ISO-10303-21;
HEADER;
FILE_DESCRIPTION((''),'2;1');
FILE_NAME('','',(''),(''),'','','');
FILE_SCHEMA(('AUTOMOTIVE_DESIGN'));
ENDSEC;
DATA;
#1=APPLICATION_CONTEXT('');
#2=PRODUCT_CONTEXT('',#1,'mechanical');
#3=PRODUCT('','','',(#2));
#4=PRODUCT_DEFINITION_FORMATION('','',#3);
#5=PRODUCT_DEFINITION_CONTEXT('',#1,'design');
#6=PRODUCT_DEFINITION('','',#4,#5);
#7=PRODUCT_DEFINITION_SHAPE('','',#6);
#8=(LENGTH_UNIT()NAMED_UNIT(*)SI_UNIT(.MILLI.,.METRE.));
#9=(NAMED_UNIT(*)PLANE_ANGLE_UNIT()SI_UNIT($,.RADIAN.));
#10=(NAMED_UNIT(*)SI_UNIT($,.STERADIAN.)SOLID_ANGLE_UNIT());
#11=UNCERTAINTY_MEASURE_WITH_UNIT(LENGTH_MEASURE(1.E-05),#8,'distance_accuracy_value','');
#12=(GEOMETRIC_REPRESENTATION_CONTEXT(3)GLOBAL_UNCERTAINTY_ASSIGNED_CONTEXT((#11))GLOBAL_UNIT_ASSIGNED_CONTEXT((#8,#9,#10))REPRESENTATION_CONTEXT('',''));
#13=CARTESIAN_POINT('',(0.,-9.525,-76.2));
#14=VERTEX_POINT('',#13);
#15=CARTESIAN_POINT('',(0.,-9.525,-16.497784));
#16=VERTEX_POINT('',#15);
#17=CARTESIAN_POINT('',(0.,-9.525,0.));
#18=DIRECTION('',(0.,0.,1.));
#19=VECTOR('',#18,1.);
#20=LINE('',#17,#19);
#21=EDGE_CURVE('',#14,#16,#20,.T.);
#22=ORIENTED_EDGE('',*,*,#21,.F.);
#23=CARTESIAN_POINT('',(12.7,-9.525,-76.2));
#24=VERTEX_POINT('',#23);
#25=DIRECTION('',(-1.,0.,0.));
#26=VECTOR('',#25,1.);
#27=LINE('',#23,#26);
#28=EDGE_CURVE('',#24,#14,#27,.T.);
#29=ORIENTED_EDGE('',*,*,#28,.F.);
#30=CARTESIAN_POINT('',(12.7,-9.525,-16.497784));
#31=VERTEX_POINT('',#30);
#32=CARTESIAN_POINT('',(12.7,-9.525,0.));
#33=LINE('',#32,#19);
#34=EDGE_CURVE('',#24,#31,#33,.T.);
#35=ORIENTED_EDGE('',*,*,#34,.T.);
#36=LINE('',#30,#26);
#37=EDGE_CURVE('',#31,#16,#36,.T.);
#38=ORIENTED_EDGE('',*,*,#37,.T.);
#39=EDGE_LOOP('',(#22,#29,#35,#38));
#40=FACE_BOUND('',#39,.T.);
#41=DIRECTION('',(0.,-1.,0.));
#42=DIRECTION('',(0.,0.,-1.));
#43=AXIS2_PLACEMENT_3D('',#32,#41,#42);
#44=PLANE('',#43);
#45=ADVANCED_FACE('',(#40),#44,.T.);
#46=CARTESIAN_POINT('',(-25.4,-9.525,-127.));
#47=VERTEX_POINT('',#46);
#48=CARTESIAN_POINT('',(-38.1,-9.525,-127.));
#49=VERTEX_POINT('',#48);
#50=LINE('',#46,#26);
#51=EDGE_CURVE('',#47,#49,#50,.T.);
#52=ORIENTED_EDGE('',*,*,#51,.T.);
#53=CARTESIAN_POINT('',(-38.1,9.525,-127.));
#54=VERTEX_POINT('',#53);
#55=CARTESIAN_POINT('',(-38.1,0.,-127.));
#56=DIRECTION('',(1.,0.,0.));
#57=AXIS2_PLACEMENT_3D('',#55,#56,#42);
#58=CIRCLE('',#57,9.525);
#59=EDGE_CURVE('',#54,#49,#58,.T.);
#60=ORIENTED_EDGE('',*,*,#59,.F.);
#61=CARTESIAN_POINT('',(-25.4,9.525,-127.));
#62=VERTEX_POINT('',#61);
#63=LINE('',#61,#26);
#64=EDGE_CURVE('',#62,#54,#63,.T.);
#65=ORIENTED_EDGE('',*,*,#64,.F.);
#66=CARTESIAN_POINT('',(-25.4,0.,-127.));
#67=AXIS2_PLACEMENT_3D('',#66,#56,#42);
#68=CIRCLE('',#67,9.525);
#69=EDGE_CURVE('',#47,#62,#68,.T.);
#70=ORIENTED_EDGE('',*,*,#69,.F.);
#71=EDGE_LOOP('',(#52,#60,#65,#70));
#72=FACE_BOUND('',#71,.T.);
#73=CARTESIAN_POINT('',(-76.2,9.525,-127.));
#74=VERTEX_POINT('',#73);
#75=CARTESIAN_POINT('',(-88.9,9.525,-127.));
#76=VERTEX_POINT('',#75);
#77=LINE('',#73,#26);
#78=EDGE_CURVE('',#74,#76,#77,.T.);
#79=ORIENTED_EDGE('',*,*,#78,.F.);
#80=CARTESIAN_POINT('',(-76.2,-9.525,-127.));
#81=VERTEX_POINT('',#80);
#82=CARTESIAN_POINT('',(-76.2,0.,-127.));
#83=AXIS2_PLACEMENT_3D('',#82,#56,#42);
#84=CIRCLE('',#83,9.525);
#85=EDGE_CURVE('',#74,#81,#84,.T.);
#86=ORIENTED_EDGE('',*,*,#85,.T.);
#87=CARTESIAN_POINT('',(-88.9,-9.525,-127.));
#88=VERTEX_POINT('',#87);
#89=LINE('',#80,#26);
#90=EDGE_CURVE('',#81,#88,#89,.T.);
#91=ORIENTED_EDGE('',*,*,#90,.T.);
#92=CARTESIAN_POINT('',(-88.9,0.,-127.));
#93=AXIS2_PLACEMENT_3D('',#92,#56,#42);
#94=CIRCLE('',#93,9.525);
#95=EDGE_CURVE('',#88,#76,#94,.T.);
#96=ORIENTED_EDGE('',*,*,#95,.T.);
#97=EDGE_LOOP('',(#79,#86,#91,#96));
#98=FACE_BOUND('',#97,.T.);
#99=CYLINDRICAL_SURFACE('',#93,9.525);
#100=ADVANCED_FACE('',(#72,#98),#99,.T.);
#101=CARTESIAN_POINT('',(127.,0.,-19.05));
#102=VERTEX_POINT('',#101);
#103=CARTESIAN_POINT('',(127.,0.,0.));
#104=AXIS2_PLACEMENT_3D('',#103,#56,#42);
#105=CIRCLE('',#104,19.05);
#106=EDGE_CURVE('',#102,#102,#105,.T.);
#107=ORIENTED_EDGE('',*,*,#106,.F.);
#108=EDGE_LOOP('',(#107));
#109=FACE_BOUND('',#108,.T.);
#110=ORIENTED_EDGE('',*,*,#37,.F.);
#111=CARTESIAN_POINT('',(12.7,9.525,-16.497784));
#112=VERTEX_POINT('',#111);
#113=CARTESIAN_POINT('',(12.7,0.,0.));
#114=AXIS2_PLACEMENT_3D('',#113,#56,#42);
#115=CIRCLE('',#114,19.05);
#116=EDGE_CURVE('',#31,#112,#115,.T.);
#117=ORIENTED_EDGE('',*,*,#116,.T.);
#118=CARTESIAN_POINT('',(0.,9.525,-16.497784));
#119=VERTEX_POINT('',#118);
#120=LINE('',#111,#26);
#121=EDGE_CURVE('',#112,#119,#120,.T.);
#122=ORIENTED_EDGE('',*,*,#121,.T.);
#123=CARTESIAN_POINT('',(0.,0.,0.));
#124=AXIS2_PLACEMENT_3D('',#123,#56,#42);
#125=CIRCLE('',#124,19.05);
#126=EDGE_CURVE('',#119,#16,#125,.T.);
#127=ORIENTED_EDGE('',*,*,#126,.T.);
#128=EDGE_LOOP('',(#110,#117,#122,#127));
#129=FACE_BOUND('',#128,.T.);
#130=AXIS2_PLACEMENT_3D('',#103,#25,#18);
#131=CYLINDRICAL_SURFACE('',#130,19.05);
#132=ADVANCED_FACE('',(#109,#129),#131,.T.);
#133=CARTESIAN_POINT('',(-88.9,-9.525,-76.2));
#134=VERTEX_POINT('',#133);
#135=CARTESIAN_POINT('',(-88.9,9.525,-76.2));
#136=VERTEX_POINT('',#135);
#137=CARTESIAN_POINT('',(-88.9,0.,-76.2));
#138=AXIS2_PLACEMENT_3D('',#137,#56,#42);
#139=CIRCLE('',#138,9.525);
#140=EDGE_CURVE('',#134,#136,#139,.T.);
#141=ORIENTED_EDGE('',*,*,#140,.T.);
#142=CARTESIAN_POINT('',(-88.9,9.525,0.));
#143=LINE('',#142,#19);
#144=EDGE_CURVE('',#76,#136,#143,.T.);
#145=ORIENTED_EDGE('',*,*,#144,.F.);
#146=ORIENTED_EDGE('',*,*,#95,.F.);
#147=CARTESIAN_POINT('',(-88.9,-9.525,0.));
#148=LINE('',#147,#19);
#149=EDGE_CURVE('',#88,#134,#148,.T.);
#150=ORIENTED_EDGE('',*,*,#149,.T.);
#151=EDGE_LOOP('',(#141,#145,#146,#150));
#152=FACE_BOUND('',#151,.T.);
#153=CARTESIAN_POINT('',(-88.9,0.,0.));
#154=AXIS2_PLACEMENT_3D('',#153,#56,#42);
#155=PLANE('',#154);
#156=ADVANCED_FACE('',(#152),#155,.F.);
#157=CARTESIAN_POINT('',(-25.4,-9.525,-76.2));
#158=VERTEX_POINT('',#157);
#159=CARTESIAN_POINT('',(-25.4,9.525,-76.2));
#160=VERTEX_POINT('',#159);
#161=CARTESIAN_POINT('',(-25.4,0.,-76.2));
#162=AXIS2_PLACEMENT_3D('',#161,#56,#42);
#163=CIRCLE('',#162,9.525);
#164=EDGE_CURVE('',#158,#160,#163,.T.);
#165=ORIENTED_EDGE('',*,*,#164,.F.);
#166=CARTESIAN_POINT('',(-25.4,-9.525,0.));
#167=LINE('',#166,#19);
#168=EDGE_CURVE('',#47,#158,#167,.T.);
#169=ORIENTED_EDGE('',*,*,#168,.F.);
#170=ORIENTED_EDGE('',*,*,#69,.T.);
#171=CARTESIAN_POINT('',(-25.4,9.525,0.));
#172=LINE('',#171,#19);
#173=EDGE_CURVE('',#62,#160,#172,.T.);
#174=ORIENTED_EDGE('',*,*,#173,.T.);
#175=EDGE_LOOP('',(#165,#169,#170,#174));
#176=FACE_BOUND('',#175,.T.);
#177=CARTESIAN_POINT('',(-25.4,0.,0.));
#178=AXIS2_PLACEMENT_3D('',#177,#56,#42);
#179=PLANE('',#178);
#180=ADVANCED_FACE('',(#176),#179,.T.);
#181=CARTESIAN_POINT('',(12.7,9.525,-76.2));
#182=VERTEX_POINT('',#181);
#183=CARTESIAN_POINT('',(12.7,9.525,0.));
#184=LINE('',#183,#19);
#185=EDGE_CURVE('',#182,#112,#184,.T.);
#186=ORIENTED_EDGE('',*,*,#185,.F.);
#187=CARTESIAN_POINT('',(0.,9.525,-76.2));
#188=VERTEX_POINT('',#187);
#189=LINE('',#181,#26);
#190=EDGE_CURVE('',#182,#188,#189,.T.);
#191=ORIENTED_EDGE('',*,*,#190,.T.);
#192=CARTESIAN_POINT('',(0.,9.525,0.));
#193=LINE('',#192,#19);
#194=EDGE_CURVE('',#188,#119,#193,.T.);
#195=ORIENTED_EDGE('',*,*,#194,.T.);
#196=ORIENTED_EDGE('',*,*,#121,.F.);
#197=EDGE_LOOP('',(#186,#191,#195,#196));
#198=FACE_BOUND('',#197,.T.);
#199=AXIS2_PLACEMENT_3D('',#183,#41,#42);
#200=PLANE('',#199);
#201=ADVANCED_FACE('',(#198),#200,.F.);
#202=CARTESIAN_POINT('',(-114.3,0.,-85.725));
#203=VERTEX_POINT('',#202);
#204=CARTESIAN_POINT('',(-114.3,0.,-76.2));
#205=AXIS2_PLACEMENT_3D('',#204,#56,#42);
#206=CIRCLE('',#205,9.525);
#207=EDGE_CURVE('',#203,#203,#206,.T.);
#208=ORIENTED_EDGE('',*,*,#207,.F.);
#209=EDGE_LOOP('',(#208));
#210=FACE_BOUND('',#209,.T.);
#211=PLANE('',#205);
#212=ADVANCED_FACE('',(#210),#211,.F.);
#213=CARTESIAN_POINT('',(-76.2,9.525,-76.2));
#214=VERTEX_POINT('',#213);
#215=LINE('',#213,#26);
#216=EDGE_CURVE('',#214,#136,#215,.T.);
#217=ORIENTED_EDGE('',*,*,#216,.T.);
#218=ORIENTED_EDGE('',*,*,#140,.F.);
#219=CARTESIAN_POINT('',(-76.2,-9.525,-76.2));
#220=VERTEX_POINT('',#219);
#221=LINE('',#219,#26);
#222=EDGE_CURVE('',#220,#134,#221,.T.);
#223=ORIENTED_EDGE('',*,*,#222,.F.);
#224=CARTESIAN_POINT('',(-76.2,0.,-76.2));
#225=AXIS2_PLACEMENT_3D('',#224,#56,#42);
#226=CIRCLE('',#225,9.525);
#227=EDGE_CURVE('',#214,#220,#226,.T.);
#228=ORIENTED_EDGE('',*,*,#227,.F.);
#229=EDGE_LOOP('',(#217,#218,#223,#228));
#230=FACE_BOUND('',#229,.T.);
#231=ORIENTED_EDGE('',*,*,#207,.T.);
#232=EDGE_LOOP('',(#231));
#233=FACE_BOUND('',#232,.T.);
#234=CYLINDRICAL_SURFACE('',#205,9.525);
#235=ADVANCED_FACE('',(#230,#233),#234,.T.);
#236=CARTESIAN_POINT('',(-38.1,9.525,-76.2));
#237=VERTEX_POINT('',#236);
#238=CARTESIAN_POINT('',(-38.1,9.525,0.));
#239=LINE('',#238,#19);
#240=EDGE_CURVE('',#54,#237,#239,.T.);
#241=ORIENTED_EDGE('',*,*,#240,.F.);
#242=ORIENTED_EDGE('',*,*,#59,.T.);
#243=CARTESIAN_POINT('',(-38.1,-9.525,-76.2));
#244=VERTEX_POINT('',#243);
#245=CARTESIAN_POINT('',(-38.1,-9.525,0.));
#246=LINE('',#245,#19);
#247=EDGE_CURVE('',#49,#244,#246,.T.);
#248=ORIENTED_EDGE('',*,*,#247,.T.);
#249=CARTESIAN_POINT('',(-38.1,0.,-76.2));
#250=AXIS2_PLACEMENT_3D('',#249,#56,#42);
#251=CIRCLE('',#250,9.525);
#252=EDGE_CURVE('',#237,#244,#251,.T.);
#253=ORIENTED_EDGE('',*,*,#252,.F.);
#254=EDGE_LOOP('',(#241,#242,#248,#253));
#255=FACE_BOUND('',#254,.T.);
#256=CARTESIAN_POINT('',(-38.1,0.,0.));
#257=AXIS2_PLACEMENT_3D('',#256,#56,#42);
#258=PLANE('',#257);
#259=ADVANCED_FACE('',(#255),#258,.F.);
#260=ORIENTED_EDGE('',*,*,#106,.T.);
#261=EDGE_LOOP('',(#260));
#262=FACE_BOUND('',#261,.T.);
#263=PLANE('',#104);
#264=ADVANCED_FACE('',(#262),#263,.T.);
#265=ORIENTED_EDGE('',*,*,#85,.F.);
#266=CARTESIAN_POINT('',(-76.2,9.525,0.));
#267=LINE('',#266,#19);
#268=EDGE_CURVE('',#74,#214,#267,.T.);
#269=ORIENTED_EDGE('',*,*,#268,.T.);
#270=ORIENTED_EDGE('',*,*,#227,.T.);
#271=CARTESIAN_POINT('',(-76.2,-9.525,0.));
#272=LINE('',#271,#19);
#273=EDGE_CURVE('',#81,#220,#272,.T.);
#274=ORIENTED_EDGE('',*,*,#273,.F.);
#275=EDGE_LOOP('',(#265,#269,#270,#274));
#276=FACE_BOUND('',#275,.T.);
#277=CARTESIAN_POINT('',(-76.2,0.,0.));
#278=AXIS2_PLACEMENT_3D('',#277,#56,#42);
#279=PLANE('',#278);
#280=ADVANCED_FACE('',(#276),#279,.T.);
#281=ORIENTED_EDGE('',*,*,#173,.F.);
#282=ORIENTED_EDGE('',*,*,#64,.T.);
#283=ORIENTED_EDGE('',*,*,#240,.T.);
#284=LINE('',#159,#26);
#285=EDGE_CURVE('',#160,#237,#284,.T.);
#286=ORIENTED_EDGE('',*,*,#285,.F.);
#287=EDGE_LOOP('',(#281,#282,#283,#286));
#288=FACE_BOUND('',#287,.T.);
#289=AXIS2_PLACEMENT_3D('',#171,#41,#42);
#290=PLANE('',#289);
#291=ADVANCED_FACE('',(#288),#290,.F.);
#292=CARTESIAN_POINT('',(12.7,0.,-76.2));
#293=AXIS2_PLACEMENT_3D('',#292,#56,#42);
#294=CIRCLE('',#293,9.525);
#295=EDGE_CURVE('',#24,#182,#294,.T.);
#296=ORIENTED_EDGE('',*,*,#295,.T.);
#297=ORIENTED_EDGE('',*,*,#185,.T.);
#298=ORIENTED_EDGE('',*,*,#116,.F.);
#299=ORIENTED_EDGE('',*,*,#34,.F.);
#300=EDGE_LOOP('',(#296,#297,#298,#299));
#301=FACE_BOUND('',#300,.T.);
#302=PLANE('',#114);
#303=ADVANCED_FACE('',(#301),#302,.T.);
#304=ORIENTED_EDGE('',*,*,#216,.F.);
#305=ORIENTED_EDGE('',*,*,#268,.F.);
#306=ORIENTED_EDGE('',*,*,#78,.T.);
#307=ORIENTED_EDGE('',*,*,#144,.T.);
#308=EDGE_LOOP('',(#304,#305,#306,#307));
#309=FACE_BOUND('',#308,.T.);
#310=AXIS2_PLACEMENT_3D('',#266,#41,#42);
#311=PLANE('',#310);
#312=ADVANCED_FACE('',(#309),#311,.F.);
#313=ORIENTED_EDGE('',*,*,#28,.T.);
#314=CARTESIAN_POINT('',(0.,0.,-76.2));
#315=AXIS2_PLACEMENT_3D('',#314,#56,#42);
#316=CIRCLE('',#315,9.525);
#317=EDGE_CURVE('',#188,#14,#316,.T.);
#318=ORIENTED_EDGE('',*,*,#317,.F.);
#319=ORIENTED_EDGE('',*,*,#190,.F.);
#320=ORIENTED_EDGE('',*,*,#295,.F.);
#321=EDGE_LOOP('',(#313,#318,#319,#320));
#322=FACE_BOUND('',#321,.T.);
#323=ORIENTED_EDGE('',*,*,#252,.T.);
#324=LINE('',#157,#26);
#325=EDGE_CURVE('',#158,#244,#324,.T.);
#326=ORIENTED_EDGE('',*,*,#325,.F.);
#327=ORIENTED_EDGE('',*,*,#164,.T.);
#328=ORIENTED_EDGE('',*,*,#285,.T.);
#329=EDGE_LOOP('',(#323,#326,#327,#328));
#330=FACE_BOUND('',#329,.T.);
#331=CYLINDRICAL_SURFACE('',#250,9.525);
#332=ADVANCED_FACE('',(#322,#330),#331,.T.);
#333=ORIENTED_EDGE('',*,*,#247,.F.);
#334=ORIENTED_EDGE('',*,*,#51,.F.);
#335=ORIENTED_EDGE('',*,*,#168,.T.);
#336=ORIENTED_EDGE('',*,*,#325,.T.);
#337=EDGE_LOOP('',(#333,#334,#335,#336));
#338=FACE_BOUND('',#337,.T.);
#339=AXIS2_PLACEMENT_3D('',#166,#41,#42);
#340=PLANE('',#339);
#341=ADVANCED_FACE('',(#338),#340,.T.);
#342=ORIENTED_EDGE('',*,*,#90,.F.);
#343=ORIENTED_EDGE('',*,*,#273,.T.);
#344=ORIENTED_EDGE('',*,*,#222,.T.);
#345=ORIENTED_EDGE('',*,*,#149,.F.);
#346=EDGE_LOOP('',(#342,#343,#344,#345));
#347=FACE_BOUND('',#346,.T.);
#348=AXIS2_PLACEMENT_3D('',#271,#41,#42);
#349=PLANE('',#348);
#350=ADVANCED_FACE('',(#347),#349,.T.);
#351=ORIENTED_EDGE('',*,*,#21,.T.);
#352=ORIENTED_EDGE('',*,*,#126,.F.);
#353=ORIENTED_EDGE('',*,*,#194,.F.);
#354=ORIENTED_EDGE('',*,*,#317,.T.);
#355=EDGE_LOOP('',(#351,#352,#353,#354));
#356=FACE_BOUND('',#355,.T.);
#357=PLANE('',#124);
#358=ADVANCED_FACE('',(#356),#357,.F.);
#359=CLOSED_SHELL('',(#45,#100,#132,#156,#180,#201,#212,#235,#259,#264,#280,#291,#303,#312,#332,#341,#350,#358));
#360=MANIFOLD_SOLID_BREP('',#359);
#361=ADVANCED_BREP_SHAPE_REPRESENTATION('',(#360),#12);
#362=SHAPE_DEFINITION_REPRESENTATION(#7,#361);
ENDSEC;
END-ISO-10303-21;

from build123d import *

# Parameters (mm, degrees)
BOSS_EXTRUDE1_DEPTH      = 127
BOSS_EXTRUDE2_DEPTH      = 12.7
BOSS_EXTRUDE3_DEPTH      = 12.7
BOSS_EXTRUDE3_DEPTH_BACK = 38.1
BOSS_EXTRUDE4_START      = -38.1
BOSS_EXTRUDE4_DEPTH      = 12.7
BOSS_EXTRUDE5_START      = -88.9
BOSS_EXTRUDE5_DEPTH      = 63.5
BOSS_EXTRUDE6_START      = -88.9
BOSS_EXTRUDE6_DEPTH      = 12.7
BOSS_EXTRUDE7_START      = -114.3
SKETCH1_8_R              = 9.525
BOSS_EXTRUDE7_DEPTH      = 38.1


with BuildPart() as part:
    # Sketch1 → Boss-Extrude1 (new body)
    with BuildSketch(Plane(origin=(0, 0, 0), x_dir=(0, 0, -1), z_dir=(1, 0, 0))):
        with BuildLine():
            ThreePointArc((19.05, 0), (18.400886991, 4.930502809), (16.497783942, 9.525))
            ThreePointArc((16.497783942, 9.525), (-19.05, 0), (16.497783942, -9.525))
            ThreePointArc((16.497783942, -9.525), (18.400886991, -4.930502809), (19.05, 0))
        make_face()
    extrude(amount=BOSS_EXTRUDE1_DEPTH)

    # Sketch1<3> → Boss-Extrude2 (add)
    with BuildSketch(Plane(origin=(0, 0, 0), x_dir=(0, 0, -1), z_dir=(1, 0, 0))):
        with BuildLine():
            ThreePointArc((76.2, -9.525), (66.675, 0), (76.2, 9.525))
            Line((76.2, 9.525), (16.497783942, 9.525))
            ThreePointArc((16.497783942, 9.525), (18.400886991, 4.930502809), (19.05, 0))
            ThreePointArc((19.05, 0), (18.400886991, -4.930502809), (16.497783942, -9.525))
            Line((16.497783942, -9.525), (76.2, -9.525))
        make_face()
    extrude(amount=BOSS_EXTRUDE2_DEPTH)

    # Sketch1<4> → Boss-Extrude3 (add, two sides: drawn at the far end of the back side and taken through both)
    with BuildSketch(Plane(origin=(0, 0, 0), x_dir=(0, 0, -1), z_dir=(1, 0, 0)).offset(-BOSS_EXTRUDE3_DEPTH_BACK)):
        with BuildLine():
            ThreePointArc((85.725, 0), (82.935192091, 6.735192091), (76.2, 9.525))
            ThreePointArc((76.2, 9.525), (66.675, 0), (76.2, -9.525))
            ThreePointArc((76.2, -9.525), (82.935192091, -6.735192091), (85.725, 0))
        make_face()
    extrude(amount=BOSS_EXTRUDE3_DEPTH + BOSS_EXTRUDE3_DEPTH_BACK)

    # Sketch1<5> → Boss-Extrude4 (add)
    with BuildSketch(Plane(origin=(0, 0, 0), x_dir=(0, 0, -1), z_dir=(1, 0, 0)).offset(BOSS_EXTRUDE4_START)):
        with BuildLine():
            ThreePointArc((127, -9.525), (117.475, 0), (127, 9.525))
            Line((127, 9.525), (76.2, 9.525))
            ThreePointArc((76.2, 9.525), (82.935192091, 6.735192091), (85.725, 0))
            ThreePointArc((85.725, 0), (82.935192091, -6.735192091), (76.2, -9.525))
            Line((76.2, -9.525), (127, -9.525))
        make_face()
    extrude(amount=BOSS_EXTRUDE4_DEPTH)

    # Sketch1<6> → Boss-Extrude5 (add)
    with BuildSketch(Plane(origin=(0, 0, 0), x_dir=(0, 0, -1), z_dir=(1, 0, 0)).offset(BOSS_EXTRUDE5_START)):
        with BuildLine():
            ThreePointArc((136.525, 0), (133.735192091, 6.735192091), (127, 9.525))
            ThreePointArc((127, 9.525), (117.475, 0), (127, -9.525))
            ThreePointArc((127, -9.525), (133.735192091, -6.735192091), (136.525, 0))
        make_face()
    extrude(amount=BOSS_EXTRUDE5_DEPTH)

    # Sketch1<7> → Boss-Extrude6 (add)
    with BuildSketch(Plane(origin=(0, 0, 0), x_dir=(0, 0, -1), z_dir=(1, 0, 0)).offset(BOSS_EXTRUDE6_START)):
        with BuildLine():
            ThreePointArc((127, -9.525), (117.475, 0), (127, 9.525))
            Line((127, 9.525), (76.2, 9.525))
            ThreePointArc((76.2, 9.525), (82.935192091, 6.735192091), (85.725, 0))
            ThreePointArc((85.725, 0), (82.935192091, -6.735192091), (76.2, -9.525))
            Line((76.2, -9.525), (127, -9.525))
        make_face()
    extrude(amount=BOSS_EXTRUDE6_DEPTH)

    # Sketch1<8> → Boss-Extrude7 (add)
    with BuildSketch(Plane(origin=(0, 0, 0), x_dir=(0, 0, -1), z_dir=(1, 0, 0)).offset(BOSS_EXTRUDE7_START)):
        with Locations((76.2, 0)):
            Circle(SKETCH1_8_R)
    extrude(amount=BOSS_EXTRUDE7_DEPTH)


solid = part.part
